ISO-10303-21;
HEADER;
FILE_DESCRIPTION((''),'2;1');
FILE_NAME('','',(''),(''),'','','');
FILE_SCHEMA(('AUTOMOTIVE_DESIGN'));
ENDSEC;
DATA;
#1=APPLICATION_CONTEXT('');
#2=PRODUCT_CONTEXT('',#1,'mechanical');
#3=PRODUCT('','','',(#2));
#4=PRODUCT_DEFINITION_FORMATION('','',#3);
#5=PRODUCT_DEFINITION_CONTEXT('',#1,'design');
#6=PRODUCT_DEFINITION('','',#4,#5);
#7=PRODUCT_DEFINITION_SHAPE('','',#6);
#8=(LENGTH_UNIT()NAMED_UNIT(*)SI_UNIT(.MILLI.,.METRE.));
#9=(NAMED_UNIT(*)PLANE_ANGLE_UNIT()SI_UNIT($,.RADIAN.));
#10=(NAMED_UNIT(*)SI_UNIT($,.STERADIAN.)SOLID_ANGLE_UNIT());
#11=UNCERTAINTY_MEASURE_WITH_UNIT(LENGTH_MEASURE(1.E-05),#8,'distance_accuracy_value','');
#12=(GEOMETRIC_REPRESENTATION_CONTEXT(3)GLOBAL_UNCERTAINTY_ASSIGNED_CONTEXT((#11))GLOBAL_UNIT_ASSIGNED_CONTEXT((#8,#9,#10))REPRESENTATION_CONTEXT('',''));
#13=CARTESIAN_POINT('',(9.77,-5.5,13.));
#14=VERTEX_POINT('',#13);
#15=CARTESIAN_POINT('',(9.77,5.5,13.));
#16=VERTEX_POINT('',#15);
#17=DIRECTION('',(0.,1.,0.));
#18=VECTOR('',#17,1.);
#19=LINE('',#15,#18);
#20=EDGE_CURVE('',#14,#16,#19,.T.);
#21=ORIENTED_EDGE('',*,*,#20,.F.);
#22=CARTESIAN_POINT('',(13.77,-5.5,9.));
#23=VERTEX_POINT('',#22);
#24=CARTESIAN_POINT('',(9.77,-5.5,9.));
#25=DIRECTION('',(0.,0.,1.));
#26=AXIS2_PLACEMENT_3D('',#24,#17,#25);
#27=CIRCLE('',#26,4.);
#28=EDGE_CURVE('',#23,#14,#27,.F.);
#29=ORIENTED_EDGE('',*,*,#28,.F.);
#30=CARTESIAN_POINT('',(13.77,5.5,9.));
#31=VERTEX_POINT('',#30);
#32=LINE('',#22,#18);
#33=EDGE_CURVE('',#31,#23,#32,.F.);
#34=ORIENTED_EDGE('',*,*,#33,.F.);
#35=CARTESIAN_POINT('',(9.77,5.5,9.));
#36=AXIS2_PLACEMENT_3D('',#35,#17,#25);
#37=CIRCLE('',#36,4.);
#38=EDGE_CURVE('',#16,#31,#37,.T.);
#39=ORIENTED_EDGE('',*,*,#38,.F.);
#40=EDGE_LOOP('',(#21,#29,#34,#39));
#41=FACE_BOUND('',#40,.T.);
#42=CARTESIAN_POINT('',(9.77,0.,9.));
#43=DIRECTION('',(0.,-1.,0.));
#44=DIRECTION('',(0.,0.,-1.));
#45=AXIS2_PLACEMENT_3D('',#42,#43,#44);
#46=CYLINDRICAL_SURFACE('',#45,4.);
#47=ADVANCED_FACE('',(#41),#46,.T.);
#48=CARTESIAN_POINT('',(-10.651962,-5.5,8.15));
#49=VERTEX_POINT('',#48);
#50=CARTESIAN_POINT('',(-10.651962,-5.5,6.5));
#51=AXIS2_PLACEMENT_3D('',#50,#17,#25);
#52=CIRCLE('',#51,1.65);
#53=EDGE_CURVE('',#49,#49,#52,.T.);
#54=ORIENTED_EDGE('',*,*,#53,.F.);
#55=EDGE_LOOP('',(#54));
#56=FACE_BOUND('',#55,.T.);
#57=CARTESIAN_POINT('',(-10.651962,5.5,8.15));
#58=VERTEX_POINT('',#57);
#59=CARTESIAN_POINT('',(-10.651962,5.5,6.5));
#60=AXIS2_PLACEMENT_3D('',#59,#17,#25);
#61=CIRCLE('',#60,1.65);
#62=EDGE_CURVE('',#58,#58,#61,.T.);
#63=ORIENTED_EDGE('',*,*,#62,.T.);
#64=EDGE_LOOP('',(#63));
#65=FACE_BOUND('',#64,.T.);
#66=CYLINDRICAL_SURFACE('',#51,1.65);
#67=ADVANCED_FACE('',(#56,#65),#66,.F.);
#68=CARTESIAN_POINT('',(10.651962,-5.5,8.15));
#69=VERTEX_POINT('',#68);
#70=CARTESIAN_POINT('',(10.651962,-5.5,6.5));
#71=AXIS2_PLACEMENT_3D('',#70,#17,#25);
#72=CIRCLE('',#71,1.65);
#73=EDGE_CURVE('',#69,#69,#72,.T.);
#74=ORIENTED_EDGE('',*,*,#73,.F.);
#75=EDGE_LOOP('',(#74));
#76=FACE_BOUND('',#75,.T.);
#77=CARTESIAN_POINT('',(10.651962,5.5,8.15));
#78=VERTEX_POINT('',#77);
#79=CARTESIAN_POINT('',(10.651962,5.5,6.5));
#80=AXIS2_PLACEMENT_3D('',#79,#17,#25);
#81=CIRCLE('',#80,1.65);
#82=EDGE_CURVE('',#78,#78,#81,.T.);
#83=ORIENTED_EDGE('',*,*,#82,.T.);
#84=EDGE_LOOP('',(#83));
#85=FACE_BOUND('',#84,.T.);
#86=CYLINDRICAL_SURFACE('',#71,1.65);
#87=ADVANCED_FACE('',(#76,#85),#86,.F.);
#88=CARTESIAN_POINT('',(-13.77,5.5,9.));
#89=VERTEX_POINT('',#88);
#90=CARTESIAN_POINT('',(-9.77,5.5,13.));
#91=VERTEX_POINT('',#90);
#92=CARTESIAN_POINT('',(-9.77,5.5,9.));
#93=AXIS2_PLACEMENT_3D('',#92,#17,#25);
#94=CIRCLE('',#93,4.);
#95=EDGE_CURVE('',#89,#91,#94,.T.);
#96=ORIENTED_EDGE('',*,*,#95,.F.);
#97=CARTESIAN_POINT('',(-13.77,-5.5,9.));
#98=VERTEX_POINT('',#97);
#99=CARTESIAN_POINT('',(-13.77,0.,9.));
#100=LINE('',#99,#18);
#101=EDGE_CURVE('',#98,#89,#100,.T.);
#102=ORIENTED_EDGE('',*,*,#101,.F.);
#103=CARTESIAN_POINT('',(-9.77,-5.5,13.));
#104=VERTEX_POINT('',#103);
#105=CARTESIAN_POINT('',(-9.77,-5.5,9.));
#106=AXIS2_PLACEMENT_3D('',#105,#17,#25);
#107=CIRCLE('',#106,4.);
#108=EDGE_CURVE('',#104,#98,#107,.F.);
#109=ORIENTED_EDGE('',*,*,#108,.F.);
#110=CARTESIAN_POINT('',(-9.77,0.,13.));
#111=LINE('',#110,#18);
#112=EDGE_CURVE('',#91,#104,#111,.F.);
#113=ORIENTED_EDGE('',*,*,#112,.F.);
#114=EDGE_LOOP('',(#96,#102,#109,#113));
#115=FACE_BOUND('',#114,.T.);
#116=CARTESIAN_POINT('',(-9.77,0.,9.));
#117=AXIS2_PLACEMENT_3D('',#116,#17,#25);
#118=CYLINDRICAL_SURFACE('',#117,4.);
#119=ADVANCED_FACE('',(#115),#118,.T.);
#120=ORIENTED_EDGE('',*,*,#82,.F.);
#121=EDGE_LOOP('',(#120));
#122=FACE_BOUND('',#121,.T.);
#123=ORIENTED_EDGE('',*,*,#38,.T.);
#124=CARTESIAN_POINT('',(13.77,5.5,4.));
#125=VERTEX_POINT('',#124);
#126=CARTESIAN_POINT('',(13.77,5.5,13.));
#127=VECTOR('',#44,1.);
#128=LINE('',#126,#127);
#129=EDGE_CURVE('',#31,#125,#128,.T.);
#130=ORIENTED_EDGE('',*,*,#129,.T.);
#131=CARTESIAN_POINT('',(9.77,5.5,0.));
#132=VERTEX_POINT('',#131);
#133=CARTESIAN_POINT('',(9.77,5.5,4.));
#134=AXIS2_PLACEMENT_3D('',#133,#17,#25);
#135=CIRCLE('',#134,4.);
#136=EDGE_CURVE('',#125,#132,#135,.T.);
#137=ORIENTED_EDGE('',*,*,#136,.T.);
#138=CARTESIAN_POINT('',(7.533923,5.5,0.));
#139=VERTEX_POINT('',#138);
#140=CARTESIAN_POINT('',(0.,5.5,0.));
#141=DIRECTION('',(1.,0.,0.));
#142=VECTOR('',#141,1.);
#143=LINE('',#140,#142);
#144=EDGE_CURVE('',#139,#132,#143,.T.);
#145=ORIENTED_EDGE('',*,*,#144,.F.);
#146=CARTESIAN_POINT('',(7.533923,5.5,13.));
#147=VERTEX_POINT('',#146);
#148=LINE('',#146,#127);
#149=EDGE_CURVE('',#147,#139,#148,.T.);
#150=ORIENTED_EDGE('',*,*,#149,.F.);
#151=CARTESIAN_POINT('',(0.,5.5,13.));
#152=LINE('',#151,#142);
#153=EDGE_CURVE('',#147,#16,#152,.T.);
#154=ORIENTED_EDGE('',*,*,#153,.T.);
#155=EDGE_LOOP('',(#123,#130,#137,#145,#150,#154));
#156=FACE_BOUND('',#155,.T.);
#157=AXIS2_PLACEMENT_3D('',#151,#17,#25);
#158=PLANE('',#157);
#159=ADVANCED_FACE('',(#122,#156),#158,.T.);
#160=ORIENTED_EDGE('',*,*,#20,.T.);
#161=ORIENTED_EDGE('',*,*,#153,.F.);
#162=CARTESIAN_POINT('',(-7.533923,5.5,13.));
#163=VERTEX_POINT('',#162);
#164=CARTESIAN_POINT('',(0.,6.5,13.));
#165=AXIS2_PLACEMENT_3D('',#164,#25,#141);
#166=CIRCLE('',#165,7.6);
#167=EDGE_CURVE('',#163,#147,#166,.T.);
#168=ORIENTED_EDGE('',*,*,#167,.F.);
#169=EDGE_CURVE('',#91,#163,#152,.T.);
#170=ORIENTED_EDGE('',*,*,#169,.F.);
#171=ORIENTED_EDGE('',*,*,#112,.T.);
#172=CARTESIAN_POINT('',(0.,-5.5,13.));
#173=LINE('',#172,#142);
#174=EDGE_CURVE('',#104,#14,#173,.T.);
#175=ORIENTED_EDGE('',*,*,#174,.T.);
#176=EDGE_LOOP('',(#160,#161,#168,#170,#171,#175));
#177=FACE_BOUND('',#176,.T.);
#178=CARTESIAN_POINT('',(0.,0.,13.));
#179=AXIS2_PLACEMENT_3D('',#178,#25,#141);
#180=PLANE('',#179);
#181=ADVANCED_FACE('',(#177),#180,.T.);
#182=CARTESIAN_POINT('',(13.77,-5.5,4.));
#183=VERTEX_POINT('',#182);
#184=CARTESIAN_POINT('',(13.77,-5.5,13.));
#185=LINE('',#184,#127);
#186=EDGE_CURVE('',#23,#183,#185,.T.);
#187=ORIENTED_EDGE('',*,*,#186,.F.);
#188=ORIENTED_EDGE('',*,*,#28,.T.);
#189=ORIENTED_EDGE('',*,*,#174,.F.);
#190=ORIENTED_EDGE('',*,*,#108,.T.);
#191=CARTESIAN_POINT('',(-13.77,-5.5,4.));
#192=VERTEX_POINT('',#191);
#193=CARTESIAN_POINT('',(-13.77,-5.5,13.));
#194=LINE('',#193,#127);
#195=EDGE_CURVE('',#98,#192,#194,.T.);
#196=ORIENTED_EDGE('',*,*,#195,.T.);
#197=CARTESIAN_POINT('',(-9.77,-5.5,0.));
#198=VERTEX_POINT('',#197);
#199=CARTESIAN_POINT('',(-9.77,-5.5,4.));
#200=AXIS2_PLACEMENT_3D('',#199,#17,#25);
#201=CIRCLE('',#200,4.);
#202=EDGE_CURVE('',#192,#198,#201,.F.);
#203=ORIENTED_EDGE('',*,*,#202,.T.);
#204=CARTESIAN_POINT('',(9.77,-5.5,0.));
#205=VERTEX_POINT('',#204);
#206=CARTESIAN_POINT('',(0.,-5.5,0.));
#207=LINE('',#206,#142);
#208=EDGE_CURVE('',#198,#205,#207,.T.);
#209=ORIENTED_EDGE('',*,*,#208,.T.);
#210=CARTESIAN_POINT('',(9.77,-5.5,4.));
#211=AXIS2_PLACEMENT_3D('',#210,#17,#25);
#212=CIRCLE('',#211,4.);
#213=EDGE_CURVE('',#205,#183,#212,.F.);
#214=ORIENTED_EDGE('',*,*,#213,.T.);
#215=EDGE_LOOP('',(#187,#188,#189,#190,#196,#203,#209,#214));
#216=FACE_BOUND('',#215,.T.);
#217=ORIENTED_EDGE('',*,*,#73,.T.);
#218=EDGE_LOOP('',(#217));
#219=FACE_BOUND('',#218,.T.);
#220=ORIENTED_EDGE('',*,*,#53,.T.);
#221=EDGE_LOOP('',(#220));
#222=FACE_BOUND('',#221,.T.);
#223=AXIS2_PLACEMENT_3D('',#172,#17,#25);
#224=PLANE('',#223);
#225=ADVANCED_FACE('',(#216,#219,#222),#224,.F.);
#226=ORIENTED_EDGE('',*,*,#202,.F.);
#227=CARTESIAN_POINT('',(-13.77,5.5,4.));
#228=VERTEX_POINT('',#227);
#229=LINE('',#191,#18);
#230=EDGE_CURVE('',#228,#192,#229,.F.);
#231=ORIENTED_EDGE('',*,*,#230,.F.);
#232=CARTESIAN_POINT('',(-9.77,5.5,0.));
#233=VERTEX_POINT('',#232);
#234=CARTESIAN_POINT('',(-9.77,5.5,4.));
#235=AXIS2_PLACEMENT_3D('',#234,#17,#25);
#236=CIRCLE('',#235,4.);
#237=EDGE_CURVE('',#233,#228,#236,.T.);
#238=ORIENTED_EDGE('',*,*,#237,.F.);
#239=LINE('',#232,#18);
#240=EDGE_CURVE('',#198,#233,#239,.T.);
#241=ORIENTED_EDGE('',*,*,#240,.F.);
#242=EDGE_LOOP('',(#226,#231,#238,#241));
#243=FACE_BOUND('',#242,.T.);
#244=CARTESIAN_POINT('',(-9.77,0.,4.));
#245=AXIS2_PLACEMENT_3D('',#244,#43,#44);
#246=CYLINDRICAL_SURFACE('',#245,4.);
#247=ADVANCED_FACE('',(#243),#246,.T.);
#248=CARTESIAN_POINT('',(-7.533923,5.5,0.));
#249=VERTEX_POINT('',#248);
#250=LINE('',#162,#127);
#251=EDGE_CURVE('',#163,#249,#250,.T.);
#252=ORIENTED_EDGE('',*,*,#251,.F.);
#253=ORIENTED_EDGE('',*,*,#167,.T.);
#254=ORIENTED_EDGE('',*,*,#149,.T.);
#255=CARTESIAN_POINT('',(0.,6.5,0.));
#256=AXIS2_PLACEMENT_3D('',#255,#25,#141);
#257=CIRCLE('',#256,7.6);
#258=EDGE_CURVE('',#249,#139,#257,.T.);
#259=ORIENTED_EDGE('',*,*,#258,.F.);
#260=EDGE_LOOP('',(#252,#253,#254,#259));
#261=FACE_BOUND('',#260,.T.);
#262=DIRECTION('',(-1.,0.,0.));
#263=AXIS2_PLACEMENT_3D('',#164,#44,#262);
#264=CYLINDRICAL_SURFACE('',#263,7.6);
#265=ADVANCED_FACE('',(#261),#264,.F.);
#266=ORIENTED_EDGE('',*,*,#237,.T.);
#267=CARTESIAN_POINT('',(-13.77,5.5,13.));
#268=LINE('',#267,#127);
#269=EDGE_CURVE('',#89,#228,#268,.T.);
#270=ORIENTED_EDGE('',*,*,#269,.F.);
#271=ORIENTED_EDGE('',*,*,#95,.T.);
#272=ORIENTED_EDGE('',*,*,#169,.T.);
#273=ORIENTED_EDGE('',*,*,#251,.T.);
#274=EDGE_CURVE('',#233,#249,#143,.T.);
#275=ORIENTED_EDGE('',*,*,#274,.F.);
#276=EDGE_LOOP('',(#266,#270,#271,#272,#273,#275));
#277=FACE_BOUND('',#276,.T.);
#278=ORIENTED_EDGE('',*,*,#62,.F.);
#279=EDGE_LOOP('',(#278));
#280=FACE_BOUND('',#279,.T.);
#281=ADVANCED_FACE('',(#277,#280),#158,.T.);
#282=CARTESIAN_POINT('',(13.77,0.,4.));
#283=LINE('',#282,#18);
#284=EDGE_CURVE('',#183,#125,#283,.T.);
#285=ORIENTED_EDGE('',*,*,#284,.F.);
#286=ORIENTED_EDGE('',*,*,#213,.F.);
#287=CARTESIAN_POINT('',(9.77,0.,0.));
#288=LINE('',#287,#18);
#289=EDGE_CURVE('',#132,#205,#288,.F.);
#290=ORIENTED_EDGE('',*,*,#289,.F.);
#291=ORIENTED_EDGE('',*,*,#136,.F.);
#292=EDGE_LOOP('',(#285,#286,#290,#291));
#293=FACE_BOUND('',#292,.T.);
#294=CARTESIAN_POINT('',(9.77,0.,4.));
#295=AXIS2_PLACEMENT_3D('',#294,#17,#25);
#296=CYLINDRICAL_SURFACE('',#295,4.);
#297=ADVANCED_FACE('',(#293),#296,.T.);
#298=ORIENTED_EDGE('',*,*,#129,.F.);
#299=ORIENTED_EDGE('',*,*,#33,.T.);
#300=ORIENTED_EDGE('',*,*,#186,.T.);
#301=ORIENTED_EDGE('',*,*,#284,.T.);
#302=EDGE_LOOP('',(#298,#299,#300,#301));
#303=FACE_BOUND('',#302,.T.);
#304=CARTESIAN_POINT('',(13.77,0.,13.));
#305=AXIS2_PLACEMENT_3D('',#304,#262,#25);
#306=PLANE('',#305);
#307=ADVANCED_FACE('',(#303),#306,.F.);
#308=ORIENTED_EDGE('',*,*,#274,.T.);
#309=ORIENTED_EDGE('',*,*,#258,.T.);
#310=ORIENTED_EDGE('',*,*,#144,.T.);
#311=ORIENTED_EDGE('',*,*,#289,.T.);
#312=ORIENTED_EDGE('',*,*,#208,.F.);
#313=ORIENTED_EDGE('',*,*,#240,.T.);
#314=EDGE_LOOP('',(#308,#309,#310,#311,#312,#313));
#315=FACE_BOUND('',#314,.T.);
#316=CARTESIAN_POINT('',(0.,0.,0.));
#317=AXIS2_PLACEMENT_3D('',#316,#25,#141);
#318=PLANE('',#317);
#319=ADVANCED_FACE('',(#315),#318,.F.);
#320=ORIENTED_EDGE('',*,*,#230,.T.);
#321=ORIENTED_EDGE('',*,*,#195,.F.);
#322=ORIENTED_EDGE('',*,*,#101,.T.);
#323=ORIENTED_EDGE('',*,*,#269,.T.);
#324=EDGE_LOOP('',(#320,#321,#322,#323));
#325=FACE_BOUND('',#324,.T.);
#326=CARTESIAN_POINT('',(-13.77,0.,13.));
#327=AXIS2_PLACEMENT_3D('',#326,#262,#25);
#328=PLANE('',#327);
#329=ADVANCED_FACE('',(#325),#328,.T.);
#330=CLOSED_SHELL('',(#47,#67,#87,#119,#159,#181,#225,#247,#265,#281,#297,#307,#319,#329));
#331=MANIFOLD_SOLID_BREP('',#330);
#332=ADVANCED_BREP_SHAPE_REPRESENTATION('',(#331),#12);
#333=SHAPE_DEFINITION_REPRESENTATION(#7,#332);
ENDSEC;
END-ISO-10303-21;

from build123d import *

# Parameters (mm, degrees)
BOSS_EXTRUDE1_DEPTH = 13
SKETCH2_R           = 1.65
CUT_EXTRUDE1_DEPTH  = 22.90006621
FILLET2_R           = 4


with BuildPart() as part:
    # Sketch1 → Boss-Extrude1 (new body)
    with BuildSketch(Plane.XY):
        with BuildLine():
            Line((-13.77, 5.5), (-13.77, -5.5))
            Line((-13.77, -5.5), (13.77, -5.5))
            Line((13.77, -5.5), (13.77, 5.5))
            Line((13.77, 5.5), (7.533923281, 5.5))
            ThreePointArc((7.533923281, 5.5), (0, -1.1), (-7.533923281, 5.5))
            Line((-7.533923281, 5.5), (-13.77, 5.5))
        make_face()
    extrude(amount=BOSS_EXTRUDE1_DEPTH)

    # Sketch2 → Cut-Extrude1 (cut, through all)
    with BuildSketch(Plane(origin=(0, 5.5, 0), x_dir=(1, 0, 0), z_dir=(0, 1, 0))):
        with Locations(Location((-10.65196164, -6.5, 0), (0, 0, 270))):
            Circle(SKETCH2_R)
        with Locations(Location((10.65196164, -6.5, 0), (0, 0, 270))):
            Circle(SKETCH2_R)
    extrude(amount=-CUT_EXTRUDE1_DEPTH, mode=Mode.SUBTRACT)

    # Fillet2
    fillet2_edges = [part.edges().sort_by_distance(p)[0] for p in [
        (-13.77, 0, 13),
        (13.77, 0, 13),
        (13.77, 0, 0),
        (-13.77, 0, 0),
    ]]
    fillet(fillet2_edges, radius=FILLET2_R)


solid = part.part
